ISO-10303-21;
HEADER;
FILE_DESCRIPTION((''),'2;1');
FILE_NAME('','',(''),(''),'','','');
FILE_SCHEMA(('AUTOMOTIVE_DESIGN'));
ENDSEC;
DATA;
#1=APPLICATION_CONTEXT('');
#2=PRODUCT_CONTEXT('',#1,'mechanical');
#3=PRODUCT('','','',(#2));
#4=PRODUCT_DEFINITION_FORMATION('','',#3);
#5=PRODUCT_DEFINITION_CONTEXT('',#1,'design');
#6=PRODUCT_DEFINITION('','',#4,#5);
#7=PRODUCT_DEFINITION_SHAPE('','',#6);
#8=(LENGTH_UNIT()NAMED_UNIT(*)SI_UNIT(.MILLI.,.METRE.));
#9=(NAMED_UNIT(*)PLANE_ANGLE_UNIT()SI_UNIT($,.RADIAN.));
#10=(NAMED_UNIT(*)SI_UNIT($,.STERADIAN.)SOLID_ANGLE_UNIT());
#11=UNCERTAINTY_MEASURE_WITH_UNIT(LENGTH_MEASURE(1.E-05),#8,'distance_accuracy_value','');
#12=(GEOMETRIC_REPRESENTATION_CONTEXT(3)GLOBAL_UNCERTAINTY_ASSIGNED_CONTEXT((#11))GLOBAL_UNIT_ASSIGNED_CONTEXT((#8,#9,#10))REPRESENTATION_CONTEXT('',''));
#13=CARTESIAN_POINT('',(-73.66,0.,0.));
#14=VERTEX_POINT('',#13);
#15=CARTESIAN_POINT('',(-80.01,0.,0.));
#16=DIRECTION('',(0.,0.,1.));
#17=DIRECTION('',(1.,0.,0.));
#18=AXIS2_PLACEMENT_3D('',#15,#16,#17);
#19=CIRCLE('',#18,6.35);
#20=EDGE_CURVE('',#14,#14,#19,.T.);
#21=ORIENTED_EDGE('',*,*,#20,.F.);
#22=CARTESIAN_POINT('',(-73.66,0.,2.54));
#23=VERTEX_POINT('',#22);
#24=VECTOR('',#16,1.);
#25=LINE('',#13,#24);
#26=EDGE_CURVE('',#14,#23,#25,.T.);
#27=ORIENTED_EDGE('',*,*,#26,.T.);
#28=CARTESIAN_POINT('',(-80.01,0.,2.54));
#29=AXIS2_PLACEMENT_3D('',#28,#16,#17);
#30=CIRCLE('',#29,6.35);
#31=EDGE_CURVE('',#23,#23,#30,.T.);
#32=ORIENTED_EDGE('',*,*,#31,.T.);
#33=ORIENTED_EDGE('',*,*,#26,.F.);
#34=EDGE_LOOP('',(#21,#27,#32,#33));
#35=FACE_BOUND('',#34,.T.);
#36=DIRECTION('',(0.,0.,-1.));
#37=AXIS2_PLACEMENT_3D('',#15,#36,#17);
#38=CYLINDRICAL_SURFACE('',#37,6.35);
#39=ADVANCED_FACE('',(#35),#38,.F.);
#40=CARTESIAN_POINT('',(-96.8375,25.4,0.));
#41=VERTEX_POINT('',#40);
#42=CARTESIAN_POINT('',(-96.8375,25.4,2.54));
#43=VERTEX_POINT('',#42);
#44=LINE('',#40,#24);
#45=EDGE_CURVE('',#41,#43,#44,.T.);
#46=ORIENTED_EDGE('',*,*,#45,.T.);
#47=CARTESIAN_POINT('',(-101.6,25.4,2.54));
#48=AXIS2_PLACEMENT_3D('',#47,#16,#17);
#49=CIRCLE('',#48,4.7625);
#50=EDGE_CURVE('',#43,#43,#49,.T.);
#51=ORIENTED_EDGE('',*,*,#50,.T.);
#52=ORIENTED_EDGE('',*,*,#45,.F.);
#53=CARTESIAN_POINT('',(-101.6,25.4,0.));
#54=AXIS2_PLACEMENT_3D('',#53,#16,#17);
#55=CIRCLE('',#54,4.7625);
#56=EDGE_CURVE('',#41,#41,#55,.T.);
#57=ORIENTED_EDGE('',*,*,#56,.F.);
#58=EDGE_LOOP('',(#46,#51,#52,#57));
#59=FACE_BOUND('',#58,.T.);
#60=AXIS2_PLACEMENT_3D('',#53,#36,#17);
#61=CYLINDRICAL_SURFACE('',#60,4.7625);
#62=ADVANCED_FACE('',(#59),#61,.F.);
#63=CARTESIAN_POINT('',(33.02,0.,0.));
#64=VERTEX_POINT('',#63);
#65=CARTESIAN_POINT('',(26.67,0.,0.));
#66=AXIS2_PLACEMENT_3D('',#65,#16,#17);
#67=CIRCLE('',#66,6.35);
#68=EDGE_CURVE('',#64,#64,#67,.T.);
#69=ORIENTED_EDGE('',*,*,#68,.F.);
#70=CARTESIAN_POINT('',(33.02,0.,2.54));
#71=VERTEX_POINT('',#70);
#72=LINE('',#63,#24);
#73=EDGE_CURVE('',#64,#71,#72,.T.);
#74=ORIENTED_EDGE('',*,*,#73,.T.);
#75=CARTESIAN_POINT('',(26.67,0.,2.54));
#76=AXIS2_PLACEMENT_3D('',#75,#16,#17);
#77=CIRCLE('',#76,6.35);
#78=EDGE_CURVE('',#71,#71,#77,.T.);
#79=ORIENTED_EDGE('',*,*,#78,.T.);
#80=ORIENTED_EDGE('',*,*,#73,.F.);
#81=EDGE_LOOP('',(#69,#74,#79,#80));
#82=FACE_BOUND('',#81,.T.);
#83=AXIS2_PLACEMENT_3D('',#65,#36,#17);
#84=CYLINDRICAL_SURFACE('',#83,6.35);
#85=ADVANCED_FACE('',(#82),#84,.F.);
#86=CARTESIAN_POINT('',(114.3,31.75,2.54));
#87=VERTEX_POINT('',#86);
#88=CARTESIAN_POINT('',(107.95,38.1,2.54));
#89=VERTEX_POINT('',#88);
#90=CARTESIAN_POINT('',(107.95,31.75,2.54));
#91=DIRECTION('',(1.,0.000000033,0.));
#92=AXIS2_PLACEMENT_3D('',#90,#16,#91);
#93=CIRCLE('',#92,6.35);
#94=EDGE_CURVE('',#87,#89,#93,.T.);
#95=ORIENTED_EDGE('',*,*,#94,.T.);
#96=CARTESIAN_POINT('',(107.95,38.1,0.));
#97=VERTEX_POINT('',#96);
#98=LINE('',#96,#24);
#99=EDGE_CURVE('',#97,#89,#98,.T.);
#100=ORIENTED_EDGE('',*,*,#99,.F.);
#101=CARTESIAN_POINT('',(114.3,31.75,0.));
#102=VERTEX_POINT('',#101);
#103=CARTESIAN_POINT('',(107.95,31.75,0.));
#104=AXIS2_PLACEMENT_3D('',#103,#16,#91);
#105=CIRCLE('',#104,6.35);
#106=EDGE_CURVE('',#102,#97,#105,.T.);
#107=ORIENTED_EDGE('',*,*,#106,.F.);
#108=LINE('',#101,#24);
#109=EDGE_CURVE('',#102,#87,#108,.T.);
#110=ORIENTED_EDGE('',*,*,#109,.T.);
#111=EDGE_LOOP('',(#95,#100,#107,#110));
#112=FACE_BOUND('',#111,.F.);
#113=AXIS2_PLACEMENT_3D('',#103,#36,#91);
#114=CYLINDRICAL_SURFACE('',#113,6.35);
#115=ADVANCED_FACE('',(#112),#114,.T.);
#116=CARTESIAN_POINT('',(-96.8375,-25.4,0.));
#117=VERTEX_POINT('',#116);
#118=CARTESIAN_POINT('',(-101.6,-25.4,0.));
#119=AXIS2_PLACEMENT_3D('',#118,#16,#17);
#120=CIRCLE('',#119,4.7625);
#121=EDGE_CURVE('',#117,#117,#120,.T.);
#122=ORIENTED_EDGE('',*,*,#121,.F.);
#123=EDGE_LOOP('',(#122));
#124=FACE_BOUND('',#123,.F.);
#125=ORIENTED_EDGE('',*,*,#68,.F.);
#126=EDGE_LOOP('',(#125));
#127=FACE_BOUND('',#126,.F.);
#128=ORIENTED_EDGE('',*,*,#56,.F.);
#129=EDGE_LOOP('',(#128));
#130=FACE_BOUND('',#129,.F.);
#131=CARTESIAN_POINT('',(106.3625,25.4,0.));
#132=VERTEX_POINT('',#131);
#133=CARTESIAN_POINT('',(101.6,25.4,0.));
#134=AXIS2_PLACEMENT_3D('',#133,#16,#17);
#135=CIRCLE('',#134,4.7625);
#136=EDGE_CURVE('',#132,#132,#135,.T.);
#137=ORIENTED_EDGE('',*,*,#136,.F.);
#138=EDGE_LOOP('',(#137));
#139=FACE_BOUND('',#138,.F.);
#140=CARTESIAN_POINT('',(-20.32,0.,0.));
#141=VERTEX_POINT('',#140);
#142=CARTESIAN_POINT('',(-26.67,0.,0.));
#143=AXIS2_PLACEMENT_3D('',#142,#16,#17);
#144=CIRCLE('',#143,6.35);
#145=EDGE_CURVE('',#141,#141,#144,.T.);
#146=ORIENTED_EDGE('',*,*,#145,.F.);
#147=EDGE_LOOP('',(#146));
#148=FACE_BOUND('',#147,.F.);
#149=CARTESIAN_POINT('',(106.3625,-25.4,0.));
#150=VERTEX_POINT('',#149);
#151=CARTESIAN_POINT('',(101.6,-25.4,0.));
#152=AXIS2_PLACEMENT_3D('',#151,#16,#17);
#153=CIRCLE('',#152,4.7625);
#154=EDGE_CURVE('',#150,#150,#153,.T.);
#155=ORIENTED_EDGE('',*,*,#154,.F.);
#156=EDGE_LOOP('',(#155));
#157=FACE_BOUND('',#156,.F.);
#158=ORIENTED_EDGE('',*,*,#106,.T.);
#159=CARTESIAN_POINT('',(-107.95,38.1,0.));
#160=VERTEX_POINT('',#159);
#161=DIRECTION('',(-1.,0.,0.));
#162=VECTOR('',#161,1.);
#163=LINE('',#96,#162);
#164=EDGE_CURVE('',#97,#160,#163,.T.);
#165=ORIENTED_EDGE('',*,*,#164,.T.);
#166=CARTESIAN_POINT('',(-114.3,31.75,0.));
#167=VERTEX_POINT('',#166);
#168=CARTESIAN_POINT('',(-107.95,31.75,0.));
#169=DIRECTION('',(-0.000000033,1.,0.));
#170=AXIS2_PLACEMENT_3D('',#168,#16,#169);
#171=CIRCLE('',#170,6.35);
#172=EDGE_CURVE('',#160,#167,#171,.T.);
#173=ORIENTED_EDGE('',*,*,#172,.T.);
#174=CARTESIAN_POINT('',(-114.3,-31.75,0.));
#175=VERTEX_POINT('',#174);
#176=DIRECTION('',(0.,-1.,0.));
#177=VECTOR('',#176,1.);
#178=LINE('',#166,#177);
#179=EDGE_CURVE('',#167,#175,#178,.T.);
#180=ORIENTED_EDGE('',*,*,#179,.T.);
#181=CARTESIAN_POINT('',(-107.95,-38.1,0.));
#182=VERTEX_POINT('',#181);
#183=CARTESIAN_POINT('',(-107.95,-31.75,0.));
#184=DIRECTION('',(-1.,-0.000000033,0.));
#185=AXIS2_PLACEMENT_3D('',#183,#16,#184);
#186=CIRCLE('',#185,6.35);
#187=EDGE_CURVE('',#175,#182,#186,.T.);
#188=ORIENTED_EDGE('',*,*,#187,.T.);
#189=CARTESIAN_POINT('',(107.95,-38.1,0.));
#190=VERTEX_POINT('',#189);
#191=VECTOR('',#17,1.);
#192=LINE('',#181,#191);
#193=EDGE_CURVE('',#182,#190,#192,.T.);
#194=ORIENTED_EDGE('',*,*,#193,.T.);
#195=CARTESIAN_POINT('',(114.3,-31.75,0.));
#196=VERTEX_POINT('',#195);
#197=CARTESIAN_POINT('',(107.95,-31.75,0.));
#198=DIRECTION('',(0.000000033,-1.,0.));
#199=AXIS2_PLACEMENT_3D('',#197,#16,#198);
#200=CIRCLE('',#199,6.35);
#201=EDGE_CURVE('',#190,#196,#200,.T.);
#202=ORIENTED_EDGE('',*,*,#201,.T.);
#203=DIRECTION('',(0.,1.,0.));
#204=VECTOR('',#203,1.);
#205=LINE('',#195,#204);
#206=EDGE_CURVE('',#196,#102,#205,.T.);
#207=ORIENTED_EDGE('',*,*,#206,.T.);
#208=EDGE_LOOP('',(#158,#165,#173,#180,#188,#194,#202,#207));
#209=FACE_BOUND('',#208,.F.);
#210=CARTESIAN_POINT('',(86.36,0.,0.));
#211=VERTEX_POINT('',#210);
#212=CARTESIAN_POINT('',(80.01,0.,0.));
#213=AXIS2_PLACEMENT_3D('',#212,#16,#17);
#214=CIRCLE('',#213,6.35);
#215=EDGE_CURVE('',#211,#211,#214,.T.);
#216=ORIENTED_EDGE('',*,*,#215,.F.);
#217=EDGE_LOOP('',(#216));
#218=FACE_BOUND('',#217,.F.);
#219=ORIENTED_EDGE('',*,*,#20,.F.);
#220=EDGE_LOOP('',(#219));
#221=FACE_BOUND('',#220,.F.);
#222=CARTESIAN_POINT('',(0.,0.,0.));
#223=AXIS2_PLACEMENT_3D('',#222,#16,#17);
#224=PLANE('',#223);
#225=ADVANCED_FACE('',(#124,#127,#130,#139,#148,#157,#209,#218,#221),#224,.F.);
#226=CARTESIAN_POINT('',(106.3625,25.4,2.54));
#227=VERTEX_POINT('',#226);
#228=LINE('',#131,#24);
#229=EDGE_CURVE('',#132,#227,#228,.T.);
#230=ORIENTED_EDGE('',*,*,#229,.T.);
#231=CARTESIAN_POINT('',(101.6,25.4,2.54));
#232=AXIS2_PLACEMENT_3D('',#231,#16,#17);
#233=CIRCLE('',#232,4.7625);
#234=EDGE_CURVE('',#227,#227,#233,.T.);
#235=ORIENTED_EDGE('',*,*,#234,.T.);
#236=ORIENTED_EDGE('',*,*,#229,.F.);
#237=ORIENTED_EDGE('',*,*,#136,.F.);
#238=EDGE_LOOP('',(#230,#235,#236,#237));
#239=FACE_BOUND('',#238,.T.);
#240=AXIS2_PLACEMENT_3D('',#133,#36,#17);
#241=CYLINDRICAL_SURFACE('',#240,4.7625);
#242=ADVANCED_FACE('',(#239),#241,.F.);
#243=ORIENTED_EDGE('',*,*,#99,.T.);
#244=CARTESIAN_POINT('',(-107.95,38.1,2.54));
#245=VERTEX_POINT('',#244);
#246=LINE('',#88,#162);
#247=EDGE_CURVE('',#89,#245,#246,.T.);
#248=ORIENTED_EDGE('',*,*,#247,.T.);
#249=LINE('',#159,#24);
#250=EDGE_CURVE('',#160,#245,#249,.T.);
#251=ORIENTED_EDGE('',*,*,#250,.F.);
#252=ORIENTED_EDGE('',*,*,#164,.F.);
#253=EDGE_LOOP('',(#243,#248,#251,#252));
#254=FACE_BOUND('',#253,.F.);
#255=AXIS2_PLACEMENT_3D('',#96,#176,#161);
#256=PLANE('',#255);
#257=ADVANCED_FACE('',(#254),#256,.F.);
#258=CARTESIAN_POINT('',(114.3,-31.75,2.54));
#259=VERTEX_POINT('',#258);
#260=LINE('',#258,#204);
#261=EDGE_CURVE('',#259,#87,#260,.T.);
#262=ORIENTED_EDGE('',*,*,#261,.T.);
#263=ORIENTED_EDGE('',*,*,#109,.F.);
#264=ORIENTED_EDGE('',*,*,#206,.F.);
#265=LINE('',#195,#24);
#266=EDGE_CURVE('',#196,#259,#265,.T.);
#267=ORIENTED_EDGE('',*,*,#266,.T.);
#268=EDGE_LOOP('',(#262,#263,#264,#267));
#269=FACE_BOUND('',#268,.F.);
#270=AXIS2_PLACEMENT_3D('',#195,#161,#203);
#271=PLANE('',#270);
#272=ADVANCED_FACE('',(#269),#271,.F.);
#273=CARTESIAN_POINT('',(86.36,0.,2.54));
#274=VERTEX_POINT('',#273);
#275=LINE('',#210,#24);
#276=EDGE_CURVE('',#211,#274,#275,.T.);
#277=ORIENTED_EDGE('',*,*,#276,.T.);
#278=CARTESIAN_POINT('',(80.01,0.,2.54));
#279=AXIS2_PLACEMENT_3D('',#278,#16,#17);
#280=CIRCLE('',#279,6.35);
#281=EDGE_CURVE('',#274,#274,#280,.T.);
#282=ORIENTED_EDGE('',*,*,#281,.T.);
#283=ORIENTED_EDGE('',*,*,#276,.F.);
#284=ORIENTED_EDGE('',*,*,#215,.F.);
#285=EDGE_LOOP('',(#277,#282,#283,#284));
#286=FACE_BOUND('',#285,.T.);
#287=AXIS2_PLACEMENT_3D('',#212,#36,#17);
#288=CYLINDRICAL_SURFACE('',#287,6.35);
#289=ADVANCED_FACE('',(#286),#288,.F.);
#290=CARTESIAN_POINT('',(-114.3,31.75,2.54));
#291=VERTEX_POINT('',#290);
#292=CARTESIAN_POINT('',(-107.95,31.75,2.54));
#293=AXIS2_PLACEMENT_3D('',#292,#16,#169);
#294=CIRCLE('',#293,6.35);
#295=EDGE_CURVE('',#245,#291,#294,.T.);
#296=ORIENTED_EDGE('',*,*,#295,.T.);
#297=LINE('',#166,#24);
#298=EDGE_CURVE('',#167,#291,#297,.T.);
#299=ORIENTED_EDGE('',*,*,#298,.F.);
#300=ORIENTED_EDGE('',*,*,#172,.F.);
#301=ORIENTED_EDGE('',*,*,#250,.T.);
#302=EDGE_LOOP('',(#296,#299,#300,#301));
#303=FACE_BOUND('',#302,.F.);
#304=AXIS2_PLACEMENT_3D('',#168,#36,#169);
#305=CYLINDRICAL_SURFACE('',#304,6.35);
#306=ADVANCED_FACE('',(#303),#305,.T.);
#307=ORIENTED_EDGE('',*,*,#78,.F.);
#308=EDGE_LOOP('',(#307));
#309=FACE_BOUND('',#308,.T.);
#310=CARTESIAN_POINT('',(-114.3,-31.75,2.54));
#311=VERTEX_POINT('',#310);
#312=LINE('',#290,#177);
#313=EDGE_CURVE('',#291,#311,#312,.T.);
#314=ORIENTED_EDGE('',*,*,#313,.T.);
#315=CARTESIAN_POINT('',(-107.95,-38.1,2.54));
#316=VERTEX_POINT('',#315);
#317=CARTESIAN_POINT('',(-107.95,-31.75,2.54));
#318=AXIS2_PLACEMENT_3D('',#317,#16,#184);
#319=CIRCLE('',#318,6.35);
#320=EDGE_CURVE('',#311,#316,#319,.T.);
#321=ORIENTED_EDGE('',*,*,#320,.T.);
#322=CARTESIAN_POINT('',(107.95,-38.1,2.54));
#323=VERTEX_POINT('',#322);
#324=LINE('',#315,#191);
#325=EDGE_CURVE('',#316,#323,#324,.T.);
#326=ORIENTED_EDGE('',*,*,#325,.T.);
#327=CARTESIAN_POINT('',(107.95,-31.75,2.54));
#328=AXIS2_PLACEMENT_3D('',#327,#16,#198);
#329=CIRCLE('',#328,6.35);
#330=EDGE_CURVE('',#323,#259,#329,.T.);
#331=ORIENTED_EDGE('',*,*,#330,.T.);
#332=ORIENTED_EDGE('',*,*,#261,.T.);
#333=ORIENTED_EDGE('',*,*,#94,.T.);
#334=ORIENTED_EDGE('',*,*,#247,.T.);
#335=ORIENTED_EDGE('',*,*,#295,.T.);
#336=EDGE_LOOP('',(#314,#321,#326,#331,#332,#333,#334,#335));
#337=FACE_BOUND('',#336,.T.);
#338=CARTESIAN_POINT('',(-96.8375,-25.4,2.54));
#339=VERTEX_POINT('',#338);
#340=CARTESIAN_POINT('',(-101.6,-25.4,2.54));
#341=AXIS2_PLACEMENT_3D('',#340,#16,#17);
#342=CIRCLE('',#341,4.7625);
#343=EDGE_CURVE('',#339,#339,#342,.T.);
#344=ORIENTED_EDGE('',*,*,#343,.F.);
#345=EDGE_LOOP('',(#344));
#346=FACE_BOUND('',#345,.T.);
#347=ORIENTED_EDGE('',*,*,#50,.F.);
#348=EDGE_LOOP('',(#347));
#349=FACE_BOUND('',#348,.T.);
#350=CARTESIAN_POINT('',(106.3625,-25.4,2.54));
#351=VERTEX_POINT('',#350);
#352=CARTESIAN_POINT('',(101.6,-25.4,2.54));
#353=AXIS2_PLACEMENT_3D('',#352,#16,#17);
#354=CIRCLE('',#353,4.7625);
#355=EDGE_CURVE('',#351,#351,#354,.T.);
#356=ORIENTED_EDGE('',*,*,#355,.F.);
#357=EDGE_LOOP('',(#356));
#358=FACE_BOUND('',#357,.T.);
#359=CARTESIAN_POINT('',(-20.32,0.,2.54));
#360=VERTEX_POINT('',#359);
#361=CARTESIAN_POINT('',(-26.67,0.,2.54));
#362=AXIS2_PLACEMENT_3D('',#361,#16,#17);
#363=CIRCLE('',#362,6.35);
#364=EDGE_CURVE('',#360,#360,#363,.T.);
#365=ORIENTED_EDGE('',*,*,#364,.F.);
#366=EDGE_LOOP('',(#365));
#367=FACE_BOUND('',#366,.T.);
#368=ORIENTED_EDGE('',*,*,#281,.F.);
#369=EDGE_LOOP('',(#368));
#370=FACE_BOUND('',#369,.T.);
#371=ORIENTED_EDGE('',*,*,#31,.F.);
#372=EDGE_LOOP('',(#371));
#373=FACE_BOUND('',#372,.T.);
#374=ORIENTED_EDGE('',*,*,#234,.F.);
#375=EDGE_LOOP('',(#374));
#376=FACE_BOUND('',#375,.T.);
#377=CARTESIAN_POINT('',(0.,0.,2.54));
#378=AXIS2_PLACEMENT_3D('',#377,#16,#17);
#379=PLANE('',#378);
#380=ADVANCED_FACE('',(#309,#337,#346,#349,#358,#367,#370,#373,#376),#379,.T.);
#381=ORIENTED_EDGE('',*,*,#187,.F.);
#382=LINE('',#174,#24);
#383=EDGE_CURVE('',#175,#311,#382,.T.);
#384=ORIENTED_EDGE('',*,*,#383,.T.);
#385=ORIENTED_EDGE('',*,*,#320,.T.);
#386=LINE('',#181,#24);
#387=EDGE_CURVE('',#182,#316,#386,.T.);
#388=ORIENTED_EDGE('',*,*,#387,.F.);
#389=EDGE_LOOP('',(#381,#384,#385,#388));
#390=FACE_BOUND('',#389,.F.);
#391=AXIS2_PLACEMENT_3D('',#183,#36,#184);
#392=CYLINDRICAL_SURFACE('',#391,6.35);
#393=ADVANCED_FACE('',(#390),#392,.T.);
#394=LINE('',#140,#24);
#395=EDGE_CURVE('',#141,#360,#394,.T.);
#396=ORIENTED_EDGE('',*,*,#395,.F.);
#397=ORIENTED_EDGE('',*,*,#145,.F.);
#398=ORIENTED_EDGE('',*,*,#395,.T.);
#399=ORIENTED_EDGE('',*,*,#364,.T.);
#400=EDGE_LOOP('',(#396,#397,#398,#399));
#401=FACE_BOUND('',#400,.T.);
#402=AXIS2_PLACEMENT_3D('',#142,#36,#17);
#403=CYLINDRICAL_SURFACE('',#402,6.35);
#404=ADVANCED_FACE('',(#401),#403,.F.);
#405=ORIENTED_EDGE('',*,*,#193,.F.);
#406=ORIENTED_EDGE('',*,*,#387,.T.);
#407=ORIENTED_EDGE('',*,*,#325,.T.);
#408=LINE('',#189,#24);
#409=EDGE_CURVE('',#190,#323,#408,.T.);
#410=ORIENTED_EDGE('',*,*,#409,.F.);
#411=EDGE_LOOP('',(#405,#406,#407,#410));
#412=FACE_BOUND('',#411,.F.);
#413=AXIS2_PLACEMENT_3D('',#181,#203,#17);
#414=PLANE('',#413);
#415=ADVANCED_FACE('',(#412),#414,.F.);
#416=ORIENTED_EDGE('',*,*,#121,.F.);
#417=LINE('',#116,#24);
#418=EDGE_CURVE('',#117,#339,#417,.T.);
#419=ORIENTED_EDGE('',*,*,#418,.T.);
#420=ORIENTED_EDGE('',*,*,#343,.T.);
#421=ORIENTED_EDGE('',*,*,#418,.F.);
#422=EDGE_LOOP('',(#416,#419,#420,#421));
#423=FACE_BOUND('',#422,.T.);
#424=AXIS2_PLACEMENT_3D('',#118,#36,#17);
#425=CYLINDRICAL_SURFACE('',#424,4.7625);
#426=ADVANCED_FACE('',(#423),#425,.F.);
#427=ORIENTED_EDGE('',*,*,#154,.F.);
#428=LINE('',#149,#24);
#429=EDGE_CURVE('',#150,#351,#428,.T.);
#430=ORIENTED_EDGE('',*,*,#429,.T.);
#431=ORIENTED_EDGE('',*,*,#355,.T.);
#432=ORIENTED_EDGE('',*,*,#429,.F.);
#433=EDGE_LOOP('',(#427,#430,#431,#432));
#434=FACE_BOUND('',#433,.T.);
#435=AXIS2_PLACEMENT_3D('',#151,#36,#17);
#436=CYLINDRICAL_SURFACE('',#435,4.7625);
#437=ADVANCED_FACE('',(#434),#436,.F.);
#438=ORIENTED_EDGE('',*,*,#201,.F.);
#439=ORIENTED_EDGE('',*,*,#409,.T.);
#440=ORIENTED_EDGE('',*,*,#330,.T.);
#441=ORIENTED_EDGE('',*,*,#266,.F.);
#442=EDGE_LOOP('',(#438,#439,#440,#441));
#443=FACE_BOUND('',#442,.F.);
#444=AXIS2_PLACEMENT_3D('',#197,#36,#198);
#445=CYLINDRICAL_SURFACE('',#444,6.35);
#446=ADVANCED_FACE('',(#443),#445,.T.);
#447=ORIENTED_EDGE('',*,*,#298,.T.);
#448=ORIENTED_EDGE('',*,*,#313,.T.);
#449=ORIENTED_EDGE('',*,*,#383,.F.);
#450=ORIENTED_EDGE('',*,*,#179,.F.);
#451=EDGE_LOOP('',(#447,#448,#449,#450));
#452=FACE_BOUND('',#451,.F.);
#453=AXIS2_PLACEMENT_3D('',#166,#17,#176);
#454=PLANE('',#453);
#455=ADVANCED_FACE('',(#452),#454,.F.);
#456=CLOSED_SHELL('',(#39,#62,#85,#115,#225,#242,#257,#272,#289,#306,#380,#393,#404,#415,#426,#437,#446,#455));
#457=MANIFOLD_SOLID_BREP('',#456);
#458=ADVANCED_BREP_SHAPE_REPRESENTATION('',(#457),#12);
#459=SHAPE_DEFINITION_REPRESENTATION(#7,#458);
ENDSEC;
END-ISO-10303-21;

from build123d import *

# Parameters (mm, degrees)
F0_R     = 4.7625
F0_R_2   = 6.35
F1_DEPTH = 2.54


with BuildPart() as f1:
    # F0 (on Top) → F1 (new body)
    with BuildSketch(Plane.XY):
        with BuildLine():
            Line((107.95, 38.1), (-107.95, 38.1))
            ThreePointArc((-107.95, 38.1), (-112.440128, 36.240128), (-114.3, 31.75))
            Line((-114.3, 31.75), (-114.3, -31.75))
            ThreePointArc((-114.3, -31.75), (-112.440128, -36.240128), (-107.95, -38.1))
            Line((-107.95, -38.1), (107.95, -38.1))
            ThreePointArc((107.95, -38.1), (112.440128, -36.240128), (114.3, -31.75))
            Line((114.3, -31.75), (114.3, 31.75))
            ThreePointArc((114.3, 31.75), (112.440128, 36.240128), (107.95, 38.1))
        make_face()
        with Locations((-101.6, -25.4)):
            Circle(F0_R, mode=Mode.SUBTRACT)
        with Locations((101.6, -25.4)):
            Circle(F0_R, mode=Mode.SUBTRACT)
        with Locations((-80.01, 0)):
            Circle(F0_R_2, mode=Mode.SUBTRACT)
        with Locations((-26.67, 0)):
            Circle(F0_R_2, mode=Mode.SUBTRACT)
        with Locations((-101.6, 25.4)):
            Circle(F0_R, mode=Mode.SUBTRACT)
        with Locations((26.67, 0)):
            Circle(F0_R_2, mode=Mode.SUBTRACT)
        with Locations((80.01, 0)):
            Circle(F0_R_2, mode=Mode.SUBTRACT)
        with Locations((101.6, 25.4)):
            Circle(F0_R, mode=Mode.SUBTRACT)
    extrude(amount=F1_DEPTH)


solid = f1.part
